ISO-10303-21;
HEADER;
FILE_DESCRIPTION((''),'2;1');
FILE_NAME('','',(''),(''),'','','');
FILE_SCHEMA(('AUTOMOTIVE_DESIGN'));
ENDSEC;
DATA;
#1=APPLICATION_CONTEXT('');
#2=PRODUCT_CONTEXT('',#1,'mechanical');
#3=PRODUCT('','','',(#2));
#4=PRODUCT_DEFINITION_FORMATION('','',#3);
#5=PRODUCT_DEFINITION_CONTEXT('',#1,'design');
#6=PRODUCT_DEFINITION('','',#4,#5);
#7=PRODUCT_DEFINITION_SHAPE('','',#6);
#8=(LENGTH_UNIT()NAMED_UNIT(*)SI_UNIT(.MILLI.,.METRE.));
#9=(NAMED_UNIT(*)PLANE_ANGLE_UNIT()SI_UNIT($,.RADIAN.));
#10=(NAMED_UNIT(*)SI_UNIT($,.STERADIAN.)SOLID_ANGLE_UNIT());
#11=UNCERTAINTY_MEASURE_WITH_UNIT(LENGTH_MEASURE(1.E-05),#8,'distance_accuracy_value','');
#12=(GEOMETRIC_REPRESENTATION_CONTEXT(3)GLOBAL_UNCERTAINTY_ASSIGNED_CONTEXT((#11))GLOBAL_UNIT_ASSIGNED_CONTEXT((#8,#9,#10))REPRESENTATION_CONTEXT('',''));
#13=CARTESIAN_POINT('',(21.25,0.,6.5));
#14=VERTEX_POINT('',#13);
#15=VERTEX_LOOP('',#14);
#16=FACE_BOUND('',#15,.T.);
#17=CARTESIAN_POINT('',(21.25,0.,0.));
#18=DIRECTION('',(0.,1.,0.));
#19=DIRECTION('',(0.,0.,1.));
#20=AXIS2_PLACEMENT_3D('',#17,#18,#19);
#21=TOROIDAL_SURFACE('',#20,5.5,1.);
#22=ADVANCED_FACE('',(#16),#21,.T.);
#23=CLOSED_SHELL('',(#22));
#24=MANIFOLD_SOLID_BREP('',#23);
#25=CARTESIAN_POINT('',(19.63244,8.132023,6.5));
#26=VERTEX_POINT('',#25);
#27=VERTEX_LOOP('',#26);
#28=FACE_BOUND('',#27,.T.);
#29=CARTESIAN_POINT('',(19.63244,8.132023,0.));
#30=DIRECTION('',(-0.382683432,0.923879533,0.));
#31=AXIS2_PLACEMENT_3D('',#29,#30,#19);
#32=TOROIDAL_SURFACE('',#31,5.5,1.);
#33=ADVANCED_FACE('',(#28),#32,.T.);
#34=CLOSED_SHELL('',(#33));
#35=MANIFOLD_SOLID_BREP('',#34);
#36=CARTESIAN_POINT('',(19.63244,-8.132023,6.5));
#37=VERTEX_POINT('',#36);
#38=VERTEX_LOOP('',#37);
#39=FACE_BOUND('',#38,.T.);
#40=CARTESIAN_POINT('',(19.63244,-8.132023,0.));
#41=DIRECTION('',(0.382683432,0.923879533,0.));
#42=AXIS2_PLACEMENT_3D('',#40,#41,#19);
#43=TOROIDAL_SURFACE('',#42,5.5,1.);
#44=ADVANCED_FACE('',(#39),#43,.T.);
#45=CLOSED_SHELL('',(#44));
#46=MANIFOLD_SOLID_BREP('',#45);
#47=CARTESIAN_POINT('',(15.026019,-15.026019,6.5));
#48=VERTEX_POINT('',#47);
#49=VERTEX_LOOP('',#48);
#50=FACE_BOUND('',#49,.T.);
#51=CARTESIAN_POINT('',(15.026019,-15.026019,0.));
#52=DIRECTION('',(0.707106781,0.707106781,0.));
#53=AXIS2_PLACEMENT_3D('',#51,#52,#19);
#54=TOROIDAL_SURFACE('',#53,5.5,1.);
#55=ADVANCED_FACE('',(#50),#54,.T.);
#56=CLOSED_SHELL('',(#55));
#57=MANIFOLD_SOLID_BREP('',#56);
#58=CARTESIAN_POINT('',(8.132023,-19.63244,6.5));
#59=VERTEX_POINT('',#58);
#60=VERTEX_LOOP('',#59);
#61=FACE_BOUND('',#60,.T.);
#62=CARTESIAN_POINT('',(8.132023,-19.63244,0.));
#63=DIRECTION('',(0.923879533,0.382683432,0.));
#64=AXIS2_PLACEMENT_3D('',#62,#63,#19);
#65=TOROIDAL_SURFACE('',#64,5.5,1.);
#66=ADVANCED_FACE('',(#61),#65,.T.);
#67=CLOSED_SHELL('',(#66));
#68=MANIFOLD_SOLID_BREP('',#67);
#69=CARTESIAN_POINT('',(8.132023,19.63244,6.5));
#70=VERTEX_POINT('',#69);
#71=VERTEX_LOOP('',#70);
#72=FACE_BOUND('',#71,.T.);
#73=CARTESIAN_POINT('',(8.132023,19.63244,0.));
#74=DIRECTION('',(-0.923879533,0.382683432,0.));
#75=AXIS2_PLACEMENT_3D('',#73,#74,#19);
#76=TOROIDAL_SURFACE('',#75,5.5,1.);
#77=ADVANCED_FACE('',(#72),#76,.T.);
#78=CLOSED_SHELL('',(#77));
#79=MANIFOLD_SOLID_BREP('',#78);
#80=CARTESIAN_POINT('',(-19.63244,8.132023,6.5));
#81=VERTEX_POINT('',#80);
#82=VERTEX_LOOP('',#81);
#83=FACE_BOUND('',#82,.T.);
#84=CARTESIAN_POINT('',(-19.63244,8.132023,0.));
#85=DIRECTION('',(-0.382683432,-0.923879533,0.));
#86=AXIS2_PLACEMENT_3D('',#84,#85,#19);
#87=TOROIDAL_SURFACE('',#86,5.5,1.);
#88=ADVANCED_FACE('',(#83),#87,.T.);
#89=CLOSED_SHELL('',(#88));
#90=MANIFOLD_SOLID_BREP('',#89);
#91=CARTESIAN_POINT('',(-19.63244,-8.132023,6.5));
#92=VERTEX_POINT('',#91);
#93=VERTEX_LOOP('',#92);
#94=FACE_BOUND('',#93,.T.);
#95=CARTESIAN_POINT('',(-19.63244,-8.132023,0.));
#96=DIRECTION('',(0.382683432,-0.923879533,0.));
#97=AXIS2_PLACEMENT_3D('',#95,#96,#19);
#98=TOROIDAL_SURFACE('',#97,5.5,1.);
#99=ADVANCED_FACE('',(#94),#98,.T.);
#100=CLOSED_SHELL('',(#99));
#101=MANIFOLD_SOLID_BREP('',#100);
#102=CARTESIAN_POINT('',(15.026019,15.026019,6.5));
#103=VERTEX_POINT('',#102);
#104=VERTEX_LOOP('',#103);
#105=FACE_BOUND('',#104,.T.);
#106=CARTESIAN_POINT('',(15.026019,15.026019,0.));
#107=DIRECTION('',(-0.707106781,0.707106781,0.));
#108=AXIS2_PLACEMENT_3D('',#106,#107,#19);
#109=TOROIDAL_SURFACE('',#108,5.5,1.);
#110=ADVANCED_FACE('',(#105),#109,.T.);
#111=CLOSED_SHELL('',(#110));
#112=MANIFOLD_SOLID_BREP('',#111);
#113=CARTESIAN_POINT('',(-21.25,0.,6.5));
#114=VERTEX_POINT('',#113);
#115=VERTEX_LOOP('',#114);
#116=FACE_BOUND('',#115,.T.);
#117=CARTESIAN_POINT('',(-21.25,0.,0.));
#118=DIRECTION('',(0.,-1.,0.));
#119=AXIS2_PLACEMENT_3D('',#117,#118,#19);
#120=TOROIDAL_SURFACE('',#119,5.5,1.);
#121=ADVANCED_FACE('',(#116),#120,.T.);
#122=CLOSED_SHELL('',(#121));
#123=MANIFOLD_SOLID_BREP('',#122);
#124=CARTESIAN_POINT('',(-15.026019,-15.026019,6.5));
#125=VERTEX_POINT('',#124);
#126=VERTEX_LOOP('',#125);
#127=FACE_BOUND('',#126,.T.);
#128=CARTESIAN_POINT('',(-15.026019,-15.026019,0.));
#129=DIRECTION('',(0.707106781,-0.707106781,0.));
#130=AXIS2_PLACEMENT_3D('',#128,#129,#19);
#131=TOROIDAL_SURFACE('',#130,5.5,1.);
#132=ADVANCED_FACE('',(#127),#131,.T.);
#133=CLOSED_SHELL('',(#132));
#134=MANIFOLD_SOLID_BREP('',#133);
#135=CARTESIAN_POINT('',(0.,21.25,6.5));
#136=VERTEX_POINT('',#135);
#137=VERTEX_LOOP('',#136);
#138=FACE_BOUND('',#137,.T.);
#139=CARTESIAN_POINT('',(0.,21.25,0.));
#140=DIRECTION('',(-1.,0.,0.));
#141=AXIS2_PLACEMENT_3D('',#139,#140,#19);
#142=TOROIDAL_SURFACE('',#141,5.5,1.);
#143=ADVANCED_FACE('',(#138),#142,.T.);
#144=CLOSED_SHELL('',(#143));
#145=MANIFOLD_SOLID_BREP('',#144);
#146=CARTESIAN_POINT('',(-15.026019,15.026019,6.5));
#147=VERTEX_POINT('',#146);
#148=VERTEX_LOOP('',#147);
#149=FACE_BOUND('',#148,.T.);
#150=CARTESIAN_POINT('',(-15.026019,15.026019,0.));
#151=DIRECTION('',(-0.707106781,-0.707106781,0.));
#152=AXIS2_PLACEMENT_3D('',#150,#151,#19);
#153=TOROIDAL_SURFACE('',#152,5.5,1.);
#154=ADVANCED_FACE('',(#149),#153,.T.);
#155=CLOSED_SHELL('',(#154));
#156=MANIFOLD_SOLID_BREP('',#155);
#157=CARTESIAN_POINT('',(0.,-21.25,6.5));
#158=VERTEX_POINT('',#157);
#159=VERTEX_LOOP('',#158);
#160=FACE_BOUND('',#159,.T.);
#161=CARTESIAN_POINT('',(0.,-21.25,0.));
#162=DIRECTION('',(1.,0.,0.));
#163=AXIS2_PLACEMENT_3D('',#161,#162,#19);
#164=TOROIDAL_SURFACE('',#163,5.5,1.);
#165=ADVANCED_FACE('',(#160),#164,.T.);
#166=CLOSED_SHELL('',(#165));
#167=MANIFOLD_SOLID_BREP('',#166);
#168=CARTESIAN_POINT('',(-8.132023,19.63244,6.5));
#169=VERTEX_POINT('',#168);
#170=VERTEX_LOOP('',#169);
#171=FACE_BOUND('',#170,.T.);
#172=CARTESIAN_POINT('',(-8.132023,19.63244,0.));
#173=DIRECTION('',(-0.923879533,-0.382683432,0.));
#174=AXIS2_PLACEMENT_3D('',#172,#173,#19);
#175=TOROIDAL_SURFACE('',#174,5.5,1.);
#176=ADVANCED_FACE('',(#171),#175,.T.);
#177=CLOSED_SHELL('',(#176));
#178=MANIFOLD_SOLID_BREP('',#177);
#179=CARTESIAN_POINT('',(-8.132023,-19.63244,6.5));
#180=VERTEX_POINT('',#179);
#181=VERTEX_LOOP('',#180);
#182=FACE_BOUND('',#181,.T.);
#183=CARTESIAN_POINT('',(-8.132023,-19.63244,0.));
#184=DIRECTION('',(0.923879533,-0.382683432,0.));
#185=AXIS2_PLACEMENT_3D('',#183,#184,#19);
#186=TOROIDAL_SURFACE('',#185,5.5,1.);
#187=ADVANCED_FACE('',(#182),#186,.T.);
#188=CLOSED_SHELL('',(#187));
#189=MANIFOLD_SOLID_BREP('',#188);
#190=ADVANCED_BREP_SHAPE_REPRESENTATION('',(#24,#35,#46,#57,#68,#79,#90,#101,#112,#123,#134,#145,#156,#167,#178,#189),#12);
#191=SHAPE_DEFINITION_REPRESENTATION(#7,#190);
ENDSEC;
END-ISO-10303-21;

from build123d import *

# Parameters (mm, degrees)
ESBO_O1_R         = 1
CIRPATTERN1_COUNT = 16


with BuildPart() as part:
    # Esboço1 → Revolução1 (revolve)
    with BuildSketch(Plane.XY):
        with Locations((0, 15.75)):
            Circle(ESBO_O1_R)
    revolve(axis=Axis((0, 21.25, 0), (1, 0, 0)))


with BuildPart() as cirpattern1_1:
    # CirPattern1: pattern copy
    add(part.part.rotate(Axis((0, 0, 4.638026439), (0, 0, -1)), 1 * 360 / CIRPATTERN1_COUNT))


with BuildPart() as cirpattern1_2:
    # CirPattern1: pattern copy
    add(part.part.rotate(Axis((0, 0, 4.638026439), (0, 0, -1)), 2 * 360 / CIRPATTERN1_COUNT))


with BuildPart() as cirpattern1_3:
    # CirPattern1: pattern copy
    add(part.part.rotate(Axis((0, 0, 4.638026439), (0, 0, -1)), 3 * 360 / CIRPATTERN1_COUNT))


with BuildPart() as cirpattern1_4:
    # CirPattern1: pattern copy
    add(part.part.rotate(Axis((0, 0, 4.638026439), (0, 0, -1)), 4 * 360 / CIRPATTERN1_COUNT))


with BuildPart() as cirpattern1_5:
    # CirPattern1: pattern copy
    add(part.part.rotate(Axis((0, 0, 4.638026439), (0, 0, -1)), 5 * 360 / CIRPATTERN1_COUNT))


with BuildPart() as cirpattern1_6:
    # CirPattern1: pattern copy
    add(part.part.rotate(Axis((0, 0, 4.638026439), (0, 0, -1)), 6 * 360 / CIRPATTERN1_COUNT))


with BuildPart() as cirpattern1_7:
    # CirPattern1: pattern copy
    add(part.part.rotate(Axis((0, 0, 4.638026439), (0, 0, -1)), 7 * 360 / CIRPATTERN1_COUNT))


with BuildPart() as cirpattern1_8:
    # CirPattern1: pattern copy
    add(part.part.rotate(Axis((0, 0, 4.638026439), (0, 0, -1)), 8 * 360 / CIRPATTERN1_COUNT))


with BuildPart() as cirpattern1_9:
    # CirPattern1: pattern copy
    add(part.part.rotate(Axis((0, 0, 4.638026439), (0, 0, -1)), 9 * 360 / CIRPATTERN1_COUNT))


with BuildPart() as cirpattern1_10:
    # CirPattern1: pattern copy
    add(part.part.rotate(Axis((0, 0, 4.638026439), (0, 0, -1)), 10 * 360 / CIRPATTERN1_COUNT))


with BuildPart() as cirpattern1_11:
    # CirPattern1: pattern copy
    add(part.part.rotate(Axis((0, 0, 4.638026439), (0, 0, -1)), 11 * 360 / CIRPATTERN1_COUNT))


with BuildPart() as cirpattern1_12:
    # CirPattern1: pattern copy
    add(part.part.rotate(Axis((0, 0, 4.638026439), (0, 0, -1)), 12 * 360 / CIRPATTERN1_COUNT))


with BuildPart() as cirpattern1_13:
    # CirPattern1: pattern copy
    add(part.part.rotate(Axis((0, 0, 4.638026439), (0, 0, -1)), 13 * 360 / CIRPATTERN1_COUNT))


with BuildPart() as cirpattern1_14:
    # CirPattern1: pattern copy
    add(part.part.rotate(Axis((0, 0, 4.638026439), (0, 0, -1)), 14 * 360 / CIRPATTERN1_COUNT))


with BuildPart() as cirpattern1_15:
    # CirPattern1: pattern copy
    add(part.part.rotate(Axis((0, 0, 4.638026439), (0, 0, -1)), 15 * 360 / CIRPATTERN1_COUNT))


solid = Compound([part.part, cirpattern1_1.part, cirpattern1_2.part, cirpattern1_3.part, cirpattern1_4.part, cirpattern1_5.part, cirpattern1_6.part, cirpattern1_7.part, cirpattern1_8.part, cirpattern1_9.part, cirpattern1_10.part, cirpattern1_11.part, cirpattern1_12.part, cirpattern1_13.part, cirpattern1_14.part, cirpattern1_15.part])
